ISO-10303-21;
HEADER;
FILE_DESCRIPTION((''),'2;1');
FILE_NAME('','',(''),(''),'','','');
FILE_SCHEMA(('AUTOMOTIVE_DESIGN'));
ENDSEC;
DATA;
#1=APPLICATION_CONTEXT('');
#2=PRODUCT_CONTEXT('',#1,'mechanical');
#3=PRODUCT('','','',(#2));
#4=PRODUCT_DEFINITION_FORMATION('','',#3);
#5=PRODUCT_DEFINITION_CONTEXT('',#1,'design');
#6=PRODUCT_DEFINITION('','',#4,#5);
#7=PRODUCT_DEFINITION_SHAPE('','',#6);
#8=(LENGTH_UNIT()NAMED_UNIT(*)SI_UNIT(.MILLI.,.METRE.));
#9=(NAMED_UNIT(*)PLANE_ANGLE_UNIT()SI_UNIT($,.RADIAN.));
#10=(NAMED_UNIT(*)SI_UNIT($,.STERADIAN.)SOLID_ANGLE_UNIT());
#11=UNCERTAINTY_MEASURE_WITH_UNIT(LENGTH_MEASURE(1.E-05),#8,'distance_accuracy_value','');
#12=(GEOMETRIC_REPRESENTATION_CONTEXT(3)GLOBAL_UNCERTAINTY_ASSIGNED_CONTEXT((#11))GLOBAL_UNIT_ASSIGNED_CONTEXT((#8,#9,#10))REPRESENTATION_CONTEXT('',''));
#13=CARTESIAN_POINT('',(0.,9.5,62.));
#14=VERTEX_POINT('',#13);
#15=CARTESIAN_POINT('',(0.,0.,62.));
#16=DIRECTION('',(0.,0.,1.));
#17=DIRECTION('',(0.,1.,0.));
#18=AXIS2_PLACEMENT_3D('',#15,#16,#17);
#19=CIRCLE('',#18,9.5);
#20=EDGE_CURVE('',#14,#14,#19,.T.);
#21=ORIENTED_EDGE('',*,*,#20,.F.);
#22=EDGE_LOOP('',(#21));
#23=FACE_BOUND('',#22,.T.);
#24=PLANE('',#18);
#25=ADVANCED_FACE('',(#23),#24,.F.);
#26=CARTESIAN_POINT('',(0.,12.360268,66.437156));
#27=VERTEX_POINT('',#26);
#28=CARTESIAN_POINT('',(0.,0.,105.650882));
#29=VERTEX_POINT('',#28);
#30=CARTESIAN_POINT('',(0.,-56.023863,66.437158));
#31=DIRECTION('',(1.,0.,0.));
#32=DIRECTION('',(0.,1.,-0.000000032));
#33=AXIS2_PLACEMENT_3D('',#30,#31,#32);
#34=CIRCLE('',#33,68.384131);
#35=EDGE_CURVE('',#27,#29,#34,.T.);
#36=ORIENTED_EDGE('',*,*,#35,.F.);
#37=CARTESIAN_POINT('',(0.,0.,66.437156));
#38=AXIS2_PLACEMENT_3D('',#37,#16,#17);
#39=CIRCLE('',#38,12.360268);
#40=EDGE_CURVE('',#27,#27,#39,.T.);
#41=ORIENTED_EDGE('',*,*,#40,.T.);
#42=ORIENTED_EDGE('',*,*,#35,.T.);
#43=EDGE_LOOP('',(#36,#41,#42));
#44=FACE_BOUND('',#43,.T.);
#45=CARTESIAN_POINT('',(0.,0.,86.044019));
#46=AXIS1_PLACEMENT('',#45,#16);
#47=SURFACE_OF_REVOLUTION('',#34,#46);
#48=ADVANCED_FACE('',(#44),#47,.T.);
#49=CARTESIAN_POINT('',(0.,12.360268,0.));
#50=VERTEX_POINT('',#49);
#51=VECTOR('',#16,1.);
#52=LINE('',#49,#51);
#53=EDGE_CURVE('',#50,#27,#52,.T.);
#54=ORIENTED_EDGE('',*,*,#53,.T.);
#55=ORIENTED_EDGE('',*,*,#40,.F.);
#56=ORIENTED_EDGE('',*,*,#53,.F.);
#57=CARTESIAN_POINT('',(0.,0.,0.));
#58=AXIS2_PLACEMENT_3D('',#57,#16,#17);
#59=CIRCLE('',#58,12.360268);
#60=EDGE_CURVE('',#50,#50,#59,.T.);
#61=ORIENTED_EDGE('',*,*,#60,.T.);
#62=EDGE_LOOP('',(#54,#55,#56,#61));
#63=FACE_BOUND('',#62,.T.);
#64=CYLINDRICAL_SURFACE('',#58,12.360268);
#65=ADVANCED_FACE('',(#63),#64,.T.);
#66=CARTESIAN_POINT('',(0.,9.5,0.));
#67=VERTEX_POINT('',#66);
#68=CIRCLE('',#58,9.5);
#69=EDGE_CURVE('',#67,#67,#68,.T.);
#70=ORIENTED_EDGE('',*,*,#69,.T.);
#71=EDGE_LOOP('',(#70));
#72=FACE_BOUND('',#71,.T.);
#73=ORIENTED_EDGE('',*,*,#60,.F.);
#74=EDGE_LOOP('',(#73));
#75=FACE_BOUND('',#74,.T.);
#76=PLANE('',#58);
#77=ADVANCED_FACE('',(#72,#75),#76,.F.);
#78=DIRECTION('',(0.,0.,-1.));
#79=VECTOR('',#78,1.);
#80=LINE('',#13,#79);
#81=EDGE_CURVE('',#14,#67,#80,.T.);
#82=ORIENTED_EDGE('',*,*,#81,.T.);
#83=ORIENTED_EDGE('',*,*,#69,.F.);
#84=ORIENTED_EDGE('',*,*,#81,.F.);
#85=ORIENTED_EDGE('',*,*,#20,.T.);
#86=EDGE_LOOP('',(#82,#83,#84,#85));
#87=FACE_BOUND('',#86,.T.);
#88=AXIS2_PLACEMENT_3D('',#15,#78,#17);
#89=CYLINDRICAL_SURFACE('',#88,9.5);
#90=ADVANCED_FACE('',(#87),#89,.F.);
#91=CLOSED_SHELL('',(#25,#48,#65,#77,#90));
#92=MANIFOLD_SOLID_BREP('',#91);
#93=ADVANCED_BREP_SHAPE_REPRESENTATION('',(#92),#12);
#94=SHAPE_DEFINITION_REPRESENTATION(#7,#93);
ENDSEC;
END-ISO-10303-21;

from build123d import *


with BuildPart() as f1:
    # F0 (on Right) → F1 (revolve)
    with BuildSketch(Plane.YZ):
        with BuildLine():
            Line((9.5, 62), (9.5, 0))
            Line((9.5, 0), (12.360268, 0))
            Line((12.360268, 0), (12.360268, 66.437156))
            ThreePointArc((12.360268, 66.437156), (9.197041, 86.994956), (0, 105.650882))
            Line((0, 105.650882), (0, 66.437156))
            Line((0, 66.437156), (0, 62))
            Line((0, 62), (9.5, 62))
        make_face()
    revolve(axis=Axis((0, 0, 86.044019), (0, 0, 1)))


solid = f1.part
